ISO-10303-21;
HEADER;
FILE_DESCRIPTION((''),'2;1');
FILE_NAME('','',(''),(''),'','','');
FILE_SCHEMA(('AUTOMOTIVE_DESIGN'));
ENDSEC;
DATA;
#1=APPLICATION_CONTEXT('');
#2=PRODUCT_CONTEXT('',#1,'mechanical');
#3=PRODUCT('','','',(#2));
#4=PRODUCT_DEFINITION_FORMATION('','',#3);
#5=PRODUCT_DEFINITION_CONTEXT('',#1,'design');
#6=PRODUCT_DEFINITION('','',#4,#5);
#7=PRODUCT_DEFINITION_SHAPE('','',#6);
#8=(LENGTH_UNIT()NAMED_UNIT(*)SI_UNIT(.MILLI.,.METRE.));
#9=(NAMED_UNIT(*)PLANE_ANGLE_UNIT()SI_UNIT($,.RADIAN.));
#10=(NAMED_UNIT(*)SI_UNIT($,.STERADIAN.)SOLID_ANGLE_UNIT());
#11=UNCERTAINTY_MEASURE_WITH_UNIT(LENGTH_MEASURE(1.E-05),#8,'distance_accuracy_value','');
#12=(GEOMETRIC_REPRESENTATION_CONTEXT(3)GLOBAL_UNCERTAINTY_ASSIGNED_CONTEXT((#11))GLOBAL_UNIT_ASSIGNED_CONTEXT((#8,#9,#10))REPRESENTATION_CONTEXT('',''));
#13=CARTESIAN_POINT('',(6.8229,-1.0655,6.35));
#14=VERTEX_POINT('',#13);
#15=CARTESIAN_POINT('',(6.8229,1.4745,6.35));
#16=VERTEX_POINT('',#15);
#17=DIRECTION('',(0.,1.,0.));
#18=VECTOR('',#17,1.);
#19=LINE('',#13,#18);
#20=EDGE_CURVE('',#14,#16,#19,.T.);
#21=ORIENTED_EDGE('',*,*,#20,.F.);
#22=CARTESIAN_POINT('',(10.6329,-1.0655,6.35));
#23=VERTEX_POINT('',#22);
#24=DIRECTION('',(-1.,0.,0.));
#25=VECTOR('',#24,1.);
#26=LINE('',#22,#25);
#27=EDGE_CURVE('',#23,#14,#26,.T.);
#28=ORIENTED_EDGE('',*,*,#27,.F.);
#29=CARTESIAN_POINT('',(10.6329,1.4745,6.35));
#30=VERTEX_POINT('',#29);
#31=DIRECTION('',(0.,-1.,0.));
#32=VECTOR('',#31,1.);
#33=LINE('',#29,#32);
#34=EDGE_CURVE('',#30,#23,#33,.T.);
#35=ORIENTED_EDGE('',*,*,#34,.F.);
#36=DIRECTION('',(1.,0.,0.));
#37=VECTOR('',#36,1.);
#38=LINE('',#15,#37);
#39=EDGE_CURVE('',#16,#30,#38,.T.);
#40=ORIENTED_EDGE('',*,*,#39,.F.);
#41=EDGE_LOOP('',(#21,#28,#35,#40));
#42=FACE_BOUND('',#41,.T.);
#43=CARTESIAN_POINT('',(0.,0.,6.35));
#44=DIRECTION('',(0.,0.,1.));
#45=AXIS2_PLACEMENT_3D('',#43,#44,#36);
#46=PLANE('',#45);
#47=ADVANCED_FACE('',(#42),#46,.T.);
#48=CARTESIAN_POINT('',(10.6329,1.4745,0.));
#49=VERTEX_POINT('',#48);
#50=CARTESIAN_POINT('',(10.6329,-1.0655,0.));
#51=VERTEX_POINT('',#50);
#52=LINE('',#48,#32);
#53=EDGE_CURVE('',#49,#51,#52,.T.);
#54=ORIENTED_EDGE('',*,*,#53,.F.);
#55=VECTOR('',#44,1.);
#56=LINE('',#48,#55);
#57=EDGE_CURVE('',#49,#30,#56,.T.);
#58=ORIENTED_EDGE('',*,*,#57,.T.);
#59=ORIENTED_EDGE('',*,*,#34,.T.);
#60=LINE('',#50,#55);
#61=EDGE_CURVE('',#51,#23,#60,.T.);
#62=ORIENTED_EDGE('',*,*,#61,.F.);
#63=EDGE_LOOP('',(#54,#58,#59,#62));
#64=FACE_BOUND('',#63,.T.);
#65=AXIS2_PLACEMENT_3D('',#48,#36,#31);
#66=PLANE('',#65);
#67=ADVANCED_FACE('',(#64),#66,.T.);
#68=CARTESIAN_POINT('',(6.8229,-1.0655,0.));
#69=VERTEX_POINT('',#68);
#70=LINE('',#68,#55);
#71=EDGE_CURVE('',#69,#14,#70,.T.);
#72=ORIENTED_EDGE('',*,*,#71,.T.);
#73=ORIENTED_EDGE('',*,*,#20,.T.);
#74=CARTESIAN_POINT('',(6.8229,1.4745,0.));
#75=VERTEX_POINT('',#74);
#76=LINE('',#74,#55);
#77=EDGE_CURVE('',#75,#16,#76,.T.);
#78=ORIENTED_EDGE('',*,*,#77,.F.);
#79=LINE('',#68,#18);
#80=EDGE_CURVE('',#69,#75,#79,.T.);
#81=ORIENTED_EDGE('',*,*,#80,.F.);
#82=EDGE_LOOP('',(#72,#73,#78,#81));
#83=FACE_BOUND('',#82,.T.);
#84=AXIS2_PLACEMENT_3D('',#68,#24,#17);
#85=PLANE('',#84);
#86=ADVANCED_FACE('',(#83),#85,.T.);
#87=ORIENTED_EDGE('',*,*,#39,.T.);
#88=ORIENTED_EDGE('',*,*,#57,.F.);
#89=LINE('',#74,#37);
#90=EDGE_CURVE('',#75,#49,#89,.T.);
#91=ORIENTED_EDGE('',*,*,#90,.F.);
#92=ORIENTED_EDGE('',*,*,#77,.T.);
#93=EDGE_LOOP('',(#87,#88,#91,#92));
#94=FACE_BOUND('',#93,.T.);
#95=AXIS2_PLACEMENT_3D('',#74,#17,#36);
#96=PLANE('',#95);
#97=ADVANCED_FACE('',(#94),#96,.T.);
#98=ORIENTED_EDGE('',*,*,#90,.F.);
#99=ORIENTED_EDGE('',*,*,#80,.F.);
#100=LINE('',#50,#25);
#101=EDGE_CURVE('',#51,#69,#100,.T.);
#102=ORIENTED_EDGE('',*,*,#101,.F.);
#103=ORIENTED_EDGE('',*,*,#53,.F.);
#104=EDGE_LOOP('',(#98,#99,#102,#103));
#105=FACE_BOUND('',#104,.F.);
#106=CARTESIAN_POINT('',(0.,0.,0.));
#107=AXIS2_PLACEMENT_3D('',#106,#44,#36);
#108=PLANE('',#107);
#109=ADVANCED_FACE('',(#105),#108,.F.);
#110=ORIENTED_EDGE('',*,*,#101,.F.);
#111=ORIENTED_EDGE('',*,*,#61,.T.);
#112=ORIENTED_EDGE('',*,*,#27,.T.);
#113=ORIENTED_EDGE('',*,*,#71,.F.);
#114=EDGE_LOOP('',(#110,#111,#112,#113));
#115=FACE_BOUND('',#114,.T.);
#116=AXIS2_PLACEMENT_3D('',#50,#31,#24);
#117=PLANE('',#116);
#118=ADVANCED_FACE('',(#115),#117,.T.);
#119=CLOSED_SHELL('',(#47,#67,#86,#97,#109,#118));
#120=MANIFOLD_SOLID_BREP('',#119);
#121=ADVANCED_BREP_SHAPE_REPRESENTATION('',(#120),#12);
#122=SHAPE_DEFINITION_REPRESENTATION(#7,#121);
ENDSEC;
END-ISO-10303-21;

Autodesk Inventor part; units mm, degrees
ref_plane "YZ Plane" through (0, 0, 0) normal (1, 0, 0) x (0, 1, 0)
ref_plane "XZ Plane" through (0, 0, 0) normal (0, 1, 0) x (-1, 0, 0)
ref_plane "XY Plane" through (0, 0, 0) normal (0, 0, 1) x (1, 0, 0)
sketch "Sketch1" plane through (0, 0, 0) normal (0, 0, 1) x (1, 0, 0)
  line L0 (6.8229, 1.4745) -> (10.6329, 1.4745)
  line L1 (10.6329, 1.4745) -> (10.6329, -1.0655)
  line L2 (10.6329, -1.0655) -> (6.8229, -1.0655)
  line L3 (6.8229, -1.0655) -> (6.8229, 1.4745)
  point P0 (0, 0)
  dimension "d0" = 3.81
  dimension "d1" = 2.54
extrude "Extrusion1" add sketch "Sketch1" along normal blind 6.35
